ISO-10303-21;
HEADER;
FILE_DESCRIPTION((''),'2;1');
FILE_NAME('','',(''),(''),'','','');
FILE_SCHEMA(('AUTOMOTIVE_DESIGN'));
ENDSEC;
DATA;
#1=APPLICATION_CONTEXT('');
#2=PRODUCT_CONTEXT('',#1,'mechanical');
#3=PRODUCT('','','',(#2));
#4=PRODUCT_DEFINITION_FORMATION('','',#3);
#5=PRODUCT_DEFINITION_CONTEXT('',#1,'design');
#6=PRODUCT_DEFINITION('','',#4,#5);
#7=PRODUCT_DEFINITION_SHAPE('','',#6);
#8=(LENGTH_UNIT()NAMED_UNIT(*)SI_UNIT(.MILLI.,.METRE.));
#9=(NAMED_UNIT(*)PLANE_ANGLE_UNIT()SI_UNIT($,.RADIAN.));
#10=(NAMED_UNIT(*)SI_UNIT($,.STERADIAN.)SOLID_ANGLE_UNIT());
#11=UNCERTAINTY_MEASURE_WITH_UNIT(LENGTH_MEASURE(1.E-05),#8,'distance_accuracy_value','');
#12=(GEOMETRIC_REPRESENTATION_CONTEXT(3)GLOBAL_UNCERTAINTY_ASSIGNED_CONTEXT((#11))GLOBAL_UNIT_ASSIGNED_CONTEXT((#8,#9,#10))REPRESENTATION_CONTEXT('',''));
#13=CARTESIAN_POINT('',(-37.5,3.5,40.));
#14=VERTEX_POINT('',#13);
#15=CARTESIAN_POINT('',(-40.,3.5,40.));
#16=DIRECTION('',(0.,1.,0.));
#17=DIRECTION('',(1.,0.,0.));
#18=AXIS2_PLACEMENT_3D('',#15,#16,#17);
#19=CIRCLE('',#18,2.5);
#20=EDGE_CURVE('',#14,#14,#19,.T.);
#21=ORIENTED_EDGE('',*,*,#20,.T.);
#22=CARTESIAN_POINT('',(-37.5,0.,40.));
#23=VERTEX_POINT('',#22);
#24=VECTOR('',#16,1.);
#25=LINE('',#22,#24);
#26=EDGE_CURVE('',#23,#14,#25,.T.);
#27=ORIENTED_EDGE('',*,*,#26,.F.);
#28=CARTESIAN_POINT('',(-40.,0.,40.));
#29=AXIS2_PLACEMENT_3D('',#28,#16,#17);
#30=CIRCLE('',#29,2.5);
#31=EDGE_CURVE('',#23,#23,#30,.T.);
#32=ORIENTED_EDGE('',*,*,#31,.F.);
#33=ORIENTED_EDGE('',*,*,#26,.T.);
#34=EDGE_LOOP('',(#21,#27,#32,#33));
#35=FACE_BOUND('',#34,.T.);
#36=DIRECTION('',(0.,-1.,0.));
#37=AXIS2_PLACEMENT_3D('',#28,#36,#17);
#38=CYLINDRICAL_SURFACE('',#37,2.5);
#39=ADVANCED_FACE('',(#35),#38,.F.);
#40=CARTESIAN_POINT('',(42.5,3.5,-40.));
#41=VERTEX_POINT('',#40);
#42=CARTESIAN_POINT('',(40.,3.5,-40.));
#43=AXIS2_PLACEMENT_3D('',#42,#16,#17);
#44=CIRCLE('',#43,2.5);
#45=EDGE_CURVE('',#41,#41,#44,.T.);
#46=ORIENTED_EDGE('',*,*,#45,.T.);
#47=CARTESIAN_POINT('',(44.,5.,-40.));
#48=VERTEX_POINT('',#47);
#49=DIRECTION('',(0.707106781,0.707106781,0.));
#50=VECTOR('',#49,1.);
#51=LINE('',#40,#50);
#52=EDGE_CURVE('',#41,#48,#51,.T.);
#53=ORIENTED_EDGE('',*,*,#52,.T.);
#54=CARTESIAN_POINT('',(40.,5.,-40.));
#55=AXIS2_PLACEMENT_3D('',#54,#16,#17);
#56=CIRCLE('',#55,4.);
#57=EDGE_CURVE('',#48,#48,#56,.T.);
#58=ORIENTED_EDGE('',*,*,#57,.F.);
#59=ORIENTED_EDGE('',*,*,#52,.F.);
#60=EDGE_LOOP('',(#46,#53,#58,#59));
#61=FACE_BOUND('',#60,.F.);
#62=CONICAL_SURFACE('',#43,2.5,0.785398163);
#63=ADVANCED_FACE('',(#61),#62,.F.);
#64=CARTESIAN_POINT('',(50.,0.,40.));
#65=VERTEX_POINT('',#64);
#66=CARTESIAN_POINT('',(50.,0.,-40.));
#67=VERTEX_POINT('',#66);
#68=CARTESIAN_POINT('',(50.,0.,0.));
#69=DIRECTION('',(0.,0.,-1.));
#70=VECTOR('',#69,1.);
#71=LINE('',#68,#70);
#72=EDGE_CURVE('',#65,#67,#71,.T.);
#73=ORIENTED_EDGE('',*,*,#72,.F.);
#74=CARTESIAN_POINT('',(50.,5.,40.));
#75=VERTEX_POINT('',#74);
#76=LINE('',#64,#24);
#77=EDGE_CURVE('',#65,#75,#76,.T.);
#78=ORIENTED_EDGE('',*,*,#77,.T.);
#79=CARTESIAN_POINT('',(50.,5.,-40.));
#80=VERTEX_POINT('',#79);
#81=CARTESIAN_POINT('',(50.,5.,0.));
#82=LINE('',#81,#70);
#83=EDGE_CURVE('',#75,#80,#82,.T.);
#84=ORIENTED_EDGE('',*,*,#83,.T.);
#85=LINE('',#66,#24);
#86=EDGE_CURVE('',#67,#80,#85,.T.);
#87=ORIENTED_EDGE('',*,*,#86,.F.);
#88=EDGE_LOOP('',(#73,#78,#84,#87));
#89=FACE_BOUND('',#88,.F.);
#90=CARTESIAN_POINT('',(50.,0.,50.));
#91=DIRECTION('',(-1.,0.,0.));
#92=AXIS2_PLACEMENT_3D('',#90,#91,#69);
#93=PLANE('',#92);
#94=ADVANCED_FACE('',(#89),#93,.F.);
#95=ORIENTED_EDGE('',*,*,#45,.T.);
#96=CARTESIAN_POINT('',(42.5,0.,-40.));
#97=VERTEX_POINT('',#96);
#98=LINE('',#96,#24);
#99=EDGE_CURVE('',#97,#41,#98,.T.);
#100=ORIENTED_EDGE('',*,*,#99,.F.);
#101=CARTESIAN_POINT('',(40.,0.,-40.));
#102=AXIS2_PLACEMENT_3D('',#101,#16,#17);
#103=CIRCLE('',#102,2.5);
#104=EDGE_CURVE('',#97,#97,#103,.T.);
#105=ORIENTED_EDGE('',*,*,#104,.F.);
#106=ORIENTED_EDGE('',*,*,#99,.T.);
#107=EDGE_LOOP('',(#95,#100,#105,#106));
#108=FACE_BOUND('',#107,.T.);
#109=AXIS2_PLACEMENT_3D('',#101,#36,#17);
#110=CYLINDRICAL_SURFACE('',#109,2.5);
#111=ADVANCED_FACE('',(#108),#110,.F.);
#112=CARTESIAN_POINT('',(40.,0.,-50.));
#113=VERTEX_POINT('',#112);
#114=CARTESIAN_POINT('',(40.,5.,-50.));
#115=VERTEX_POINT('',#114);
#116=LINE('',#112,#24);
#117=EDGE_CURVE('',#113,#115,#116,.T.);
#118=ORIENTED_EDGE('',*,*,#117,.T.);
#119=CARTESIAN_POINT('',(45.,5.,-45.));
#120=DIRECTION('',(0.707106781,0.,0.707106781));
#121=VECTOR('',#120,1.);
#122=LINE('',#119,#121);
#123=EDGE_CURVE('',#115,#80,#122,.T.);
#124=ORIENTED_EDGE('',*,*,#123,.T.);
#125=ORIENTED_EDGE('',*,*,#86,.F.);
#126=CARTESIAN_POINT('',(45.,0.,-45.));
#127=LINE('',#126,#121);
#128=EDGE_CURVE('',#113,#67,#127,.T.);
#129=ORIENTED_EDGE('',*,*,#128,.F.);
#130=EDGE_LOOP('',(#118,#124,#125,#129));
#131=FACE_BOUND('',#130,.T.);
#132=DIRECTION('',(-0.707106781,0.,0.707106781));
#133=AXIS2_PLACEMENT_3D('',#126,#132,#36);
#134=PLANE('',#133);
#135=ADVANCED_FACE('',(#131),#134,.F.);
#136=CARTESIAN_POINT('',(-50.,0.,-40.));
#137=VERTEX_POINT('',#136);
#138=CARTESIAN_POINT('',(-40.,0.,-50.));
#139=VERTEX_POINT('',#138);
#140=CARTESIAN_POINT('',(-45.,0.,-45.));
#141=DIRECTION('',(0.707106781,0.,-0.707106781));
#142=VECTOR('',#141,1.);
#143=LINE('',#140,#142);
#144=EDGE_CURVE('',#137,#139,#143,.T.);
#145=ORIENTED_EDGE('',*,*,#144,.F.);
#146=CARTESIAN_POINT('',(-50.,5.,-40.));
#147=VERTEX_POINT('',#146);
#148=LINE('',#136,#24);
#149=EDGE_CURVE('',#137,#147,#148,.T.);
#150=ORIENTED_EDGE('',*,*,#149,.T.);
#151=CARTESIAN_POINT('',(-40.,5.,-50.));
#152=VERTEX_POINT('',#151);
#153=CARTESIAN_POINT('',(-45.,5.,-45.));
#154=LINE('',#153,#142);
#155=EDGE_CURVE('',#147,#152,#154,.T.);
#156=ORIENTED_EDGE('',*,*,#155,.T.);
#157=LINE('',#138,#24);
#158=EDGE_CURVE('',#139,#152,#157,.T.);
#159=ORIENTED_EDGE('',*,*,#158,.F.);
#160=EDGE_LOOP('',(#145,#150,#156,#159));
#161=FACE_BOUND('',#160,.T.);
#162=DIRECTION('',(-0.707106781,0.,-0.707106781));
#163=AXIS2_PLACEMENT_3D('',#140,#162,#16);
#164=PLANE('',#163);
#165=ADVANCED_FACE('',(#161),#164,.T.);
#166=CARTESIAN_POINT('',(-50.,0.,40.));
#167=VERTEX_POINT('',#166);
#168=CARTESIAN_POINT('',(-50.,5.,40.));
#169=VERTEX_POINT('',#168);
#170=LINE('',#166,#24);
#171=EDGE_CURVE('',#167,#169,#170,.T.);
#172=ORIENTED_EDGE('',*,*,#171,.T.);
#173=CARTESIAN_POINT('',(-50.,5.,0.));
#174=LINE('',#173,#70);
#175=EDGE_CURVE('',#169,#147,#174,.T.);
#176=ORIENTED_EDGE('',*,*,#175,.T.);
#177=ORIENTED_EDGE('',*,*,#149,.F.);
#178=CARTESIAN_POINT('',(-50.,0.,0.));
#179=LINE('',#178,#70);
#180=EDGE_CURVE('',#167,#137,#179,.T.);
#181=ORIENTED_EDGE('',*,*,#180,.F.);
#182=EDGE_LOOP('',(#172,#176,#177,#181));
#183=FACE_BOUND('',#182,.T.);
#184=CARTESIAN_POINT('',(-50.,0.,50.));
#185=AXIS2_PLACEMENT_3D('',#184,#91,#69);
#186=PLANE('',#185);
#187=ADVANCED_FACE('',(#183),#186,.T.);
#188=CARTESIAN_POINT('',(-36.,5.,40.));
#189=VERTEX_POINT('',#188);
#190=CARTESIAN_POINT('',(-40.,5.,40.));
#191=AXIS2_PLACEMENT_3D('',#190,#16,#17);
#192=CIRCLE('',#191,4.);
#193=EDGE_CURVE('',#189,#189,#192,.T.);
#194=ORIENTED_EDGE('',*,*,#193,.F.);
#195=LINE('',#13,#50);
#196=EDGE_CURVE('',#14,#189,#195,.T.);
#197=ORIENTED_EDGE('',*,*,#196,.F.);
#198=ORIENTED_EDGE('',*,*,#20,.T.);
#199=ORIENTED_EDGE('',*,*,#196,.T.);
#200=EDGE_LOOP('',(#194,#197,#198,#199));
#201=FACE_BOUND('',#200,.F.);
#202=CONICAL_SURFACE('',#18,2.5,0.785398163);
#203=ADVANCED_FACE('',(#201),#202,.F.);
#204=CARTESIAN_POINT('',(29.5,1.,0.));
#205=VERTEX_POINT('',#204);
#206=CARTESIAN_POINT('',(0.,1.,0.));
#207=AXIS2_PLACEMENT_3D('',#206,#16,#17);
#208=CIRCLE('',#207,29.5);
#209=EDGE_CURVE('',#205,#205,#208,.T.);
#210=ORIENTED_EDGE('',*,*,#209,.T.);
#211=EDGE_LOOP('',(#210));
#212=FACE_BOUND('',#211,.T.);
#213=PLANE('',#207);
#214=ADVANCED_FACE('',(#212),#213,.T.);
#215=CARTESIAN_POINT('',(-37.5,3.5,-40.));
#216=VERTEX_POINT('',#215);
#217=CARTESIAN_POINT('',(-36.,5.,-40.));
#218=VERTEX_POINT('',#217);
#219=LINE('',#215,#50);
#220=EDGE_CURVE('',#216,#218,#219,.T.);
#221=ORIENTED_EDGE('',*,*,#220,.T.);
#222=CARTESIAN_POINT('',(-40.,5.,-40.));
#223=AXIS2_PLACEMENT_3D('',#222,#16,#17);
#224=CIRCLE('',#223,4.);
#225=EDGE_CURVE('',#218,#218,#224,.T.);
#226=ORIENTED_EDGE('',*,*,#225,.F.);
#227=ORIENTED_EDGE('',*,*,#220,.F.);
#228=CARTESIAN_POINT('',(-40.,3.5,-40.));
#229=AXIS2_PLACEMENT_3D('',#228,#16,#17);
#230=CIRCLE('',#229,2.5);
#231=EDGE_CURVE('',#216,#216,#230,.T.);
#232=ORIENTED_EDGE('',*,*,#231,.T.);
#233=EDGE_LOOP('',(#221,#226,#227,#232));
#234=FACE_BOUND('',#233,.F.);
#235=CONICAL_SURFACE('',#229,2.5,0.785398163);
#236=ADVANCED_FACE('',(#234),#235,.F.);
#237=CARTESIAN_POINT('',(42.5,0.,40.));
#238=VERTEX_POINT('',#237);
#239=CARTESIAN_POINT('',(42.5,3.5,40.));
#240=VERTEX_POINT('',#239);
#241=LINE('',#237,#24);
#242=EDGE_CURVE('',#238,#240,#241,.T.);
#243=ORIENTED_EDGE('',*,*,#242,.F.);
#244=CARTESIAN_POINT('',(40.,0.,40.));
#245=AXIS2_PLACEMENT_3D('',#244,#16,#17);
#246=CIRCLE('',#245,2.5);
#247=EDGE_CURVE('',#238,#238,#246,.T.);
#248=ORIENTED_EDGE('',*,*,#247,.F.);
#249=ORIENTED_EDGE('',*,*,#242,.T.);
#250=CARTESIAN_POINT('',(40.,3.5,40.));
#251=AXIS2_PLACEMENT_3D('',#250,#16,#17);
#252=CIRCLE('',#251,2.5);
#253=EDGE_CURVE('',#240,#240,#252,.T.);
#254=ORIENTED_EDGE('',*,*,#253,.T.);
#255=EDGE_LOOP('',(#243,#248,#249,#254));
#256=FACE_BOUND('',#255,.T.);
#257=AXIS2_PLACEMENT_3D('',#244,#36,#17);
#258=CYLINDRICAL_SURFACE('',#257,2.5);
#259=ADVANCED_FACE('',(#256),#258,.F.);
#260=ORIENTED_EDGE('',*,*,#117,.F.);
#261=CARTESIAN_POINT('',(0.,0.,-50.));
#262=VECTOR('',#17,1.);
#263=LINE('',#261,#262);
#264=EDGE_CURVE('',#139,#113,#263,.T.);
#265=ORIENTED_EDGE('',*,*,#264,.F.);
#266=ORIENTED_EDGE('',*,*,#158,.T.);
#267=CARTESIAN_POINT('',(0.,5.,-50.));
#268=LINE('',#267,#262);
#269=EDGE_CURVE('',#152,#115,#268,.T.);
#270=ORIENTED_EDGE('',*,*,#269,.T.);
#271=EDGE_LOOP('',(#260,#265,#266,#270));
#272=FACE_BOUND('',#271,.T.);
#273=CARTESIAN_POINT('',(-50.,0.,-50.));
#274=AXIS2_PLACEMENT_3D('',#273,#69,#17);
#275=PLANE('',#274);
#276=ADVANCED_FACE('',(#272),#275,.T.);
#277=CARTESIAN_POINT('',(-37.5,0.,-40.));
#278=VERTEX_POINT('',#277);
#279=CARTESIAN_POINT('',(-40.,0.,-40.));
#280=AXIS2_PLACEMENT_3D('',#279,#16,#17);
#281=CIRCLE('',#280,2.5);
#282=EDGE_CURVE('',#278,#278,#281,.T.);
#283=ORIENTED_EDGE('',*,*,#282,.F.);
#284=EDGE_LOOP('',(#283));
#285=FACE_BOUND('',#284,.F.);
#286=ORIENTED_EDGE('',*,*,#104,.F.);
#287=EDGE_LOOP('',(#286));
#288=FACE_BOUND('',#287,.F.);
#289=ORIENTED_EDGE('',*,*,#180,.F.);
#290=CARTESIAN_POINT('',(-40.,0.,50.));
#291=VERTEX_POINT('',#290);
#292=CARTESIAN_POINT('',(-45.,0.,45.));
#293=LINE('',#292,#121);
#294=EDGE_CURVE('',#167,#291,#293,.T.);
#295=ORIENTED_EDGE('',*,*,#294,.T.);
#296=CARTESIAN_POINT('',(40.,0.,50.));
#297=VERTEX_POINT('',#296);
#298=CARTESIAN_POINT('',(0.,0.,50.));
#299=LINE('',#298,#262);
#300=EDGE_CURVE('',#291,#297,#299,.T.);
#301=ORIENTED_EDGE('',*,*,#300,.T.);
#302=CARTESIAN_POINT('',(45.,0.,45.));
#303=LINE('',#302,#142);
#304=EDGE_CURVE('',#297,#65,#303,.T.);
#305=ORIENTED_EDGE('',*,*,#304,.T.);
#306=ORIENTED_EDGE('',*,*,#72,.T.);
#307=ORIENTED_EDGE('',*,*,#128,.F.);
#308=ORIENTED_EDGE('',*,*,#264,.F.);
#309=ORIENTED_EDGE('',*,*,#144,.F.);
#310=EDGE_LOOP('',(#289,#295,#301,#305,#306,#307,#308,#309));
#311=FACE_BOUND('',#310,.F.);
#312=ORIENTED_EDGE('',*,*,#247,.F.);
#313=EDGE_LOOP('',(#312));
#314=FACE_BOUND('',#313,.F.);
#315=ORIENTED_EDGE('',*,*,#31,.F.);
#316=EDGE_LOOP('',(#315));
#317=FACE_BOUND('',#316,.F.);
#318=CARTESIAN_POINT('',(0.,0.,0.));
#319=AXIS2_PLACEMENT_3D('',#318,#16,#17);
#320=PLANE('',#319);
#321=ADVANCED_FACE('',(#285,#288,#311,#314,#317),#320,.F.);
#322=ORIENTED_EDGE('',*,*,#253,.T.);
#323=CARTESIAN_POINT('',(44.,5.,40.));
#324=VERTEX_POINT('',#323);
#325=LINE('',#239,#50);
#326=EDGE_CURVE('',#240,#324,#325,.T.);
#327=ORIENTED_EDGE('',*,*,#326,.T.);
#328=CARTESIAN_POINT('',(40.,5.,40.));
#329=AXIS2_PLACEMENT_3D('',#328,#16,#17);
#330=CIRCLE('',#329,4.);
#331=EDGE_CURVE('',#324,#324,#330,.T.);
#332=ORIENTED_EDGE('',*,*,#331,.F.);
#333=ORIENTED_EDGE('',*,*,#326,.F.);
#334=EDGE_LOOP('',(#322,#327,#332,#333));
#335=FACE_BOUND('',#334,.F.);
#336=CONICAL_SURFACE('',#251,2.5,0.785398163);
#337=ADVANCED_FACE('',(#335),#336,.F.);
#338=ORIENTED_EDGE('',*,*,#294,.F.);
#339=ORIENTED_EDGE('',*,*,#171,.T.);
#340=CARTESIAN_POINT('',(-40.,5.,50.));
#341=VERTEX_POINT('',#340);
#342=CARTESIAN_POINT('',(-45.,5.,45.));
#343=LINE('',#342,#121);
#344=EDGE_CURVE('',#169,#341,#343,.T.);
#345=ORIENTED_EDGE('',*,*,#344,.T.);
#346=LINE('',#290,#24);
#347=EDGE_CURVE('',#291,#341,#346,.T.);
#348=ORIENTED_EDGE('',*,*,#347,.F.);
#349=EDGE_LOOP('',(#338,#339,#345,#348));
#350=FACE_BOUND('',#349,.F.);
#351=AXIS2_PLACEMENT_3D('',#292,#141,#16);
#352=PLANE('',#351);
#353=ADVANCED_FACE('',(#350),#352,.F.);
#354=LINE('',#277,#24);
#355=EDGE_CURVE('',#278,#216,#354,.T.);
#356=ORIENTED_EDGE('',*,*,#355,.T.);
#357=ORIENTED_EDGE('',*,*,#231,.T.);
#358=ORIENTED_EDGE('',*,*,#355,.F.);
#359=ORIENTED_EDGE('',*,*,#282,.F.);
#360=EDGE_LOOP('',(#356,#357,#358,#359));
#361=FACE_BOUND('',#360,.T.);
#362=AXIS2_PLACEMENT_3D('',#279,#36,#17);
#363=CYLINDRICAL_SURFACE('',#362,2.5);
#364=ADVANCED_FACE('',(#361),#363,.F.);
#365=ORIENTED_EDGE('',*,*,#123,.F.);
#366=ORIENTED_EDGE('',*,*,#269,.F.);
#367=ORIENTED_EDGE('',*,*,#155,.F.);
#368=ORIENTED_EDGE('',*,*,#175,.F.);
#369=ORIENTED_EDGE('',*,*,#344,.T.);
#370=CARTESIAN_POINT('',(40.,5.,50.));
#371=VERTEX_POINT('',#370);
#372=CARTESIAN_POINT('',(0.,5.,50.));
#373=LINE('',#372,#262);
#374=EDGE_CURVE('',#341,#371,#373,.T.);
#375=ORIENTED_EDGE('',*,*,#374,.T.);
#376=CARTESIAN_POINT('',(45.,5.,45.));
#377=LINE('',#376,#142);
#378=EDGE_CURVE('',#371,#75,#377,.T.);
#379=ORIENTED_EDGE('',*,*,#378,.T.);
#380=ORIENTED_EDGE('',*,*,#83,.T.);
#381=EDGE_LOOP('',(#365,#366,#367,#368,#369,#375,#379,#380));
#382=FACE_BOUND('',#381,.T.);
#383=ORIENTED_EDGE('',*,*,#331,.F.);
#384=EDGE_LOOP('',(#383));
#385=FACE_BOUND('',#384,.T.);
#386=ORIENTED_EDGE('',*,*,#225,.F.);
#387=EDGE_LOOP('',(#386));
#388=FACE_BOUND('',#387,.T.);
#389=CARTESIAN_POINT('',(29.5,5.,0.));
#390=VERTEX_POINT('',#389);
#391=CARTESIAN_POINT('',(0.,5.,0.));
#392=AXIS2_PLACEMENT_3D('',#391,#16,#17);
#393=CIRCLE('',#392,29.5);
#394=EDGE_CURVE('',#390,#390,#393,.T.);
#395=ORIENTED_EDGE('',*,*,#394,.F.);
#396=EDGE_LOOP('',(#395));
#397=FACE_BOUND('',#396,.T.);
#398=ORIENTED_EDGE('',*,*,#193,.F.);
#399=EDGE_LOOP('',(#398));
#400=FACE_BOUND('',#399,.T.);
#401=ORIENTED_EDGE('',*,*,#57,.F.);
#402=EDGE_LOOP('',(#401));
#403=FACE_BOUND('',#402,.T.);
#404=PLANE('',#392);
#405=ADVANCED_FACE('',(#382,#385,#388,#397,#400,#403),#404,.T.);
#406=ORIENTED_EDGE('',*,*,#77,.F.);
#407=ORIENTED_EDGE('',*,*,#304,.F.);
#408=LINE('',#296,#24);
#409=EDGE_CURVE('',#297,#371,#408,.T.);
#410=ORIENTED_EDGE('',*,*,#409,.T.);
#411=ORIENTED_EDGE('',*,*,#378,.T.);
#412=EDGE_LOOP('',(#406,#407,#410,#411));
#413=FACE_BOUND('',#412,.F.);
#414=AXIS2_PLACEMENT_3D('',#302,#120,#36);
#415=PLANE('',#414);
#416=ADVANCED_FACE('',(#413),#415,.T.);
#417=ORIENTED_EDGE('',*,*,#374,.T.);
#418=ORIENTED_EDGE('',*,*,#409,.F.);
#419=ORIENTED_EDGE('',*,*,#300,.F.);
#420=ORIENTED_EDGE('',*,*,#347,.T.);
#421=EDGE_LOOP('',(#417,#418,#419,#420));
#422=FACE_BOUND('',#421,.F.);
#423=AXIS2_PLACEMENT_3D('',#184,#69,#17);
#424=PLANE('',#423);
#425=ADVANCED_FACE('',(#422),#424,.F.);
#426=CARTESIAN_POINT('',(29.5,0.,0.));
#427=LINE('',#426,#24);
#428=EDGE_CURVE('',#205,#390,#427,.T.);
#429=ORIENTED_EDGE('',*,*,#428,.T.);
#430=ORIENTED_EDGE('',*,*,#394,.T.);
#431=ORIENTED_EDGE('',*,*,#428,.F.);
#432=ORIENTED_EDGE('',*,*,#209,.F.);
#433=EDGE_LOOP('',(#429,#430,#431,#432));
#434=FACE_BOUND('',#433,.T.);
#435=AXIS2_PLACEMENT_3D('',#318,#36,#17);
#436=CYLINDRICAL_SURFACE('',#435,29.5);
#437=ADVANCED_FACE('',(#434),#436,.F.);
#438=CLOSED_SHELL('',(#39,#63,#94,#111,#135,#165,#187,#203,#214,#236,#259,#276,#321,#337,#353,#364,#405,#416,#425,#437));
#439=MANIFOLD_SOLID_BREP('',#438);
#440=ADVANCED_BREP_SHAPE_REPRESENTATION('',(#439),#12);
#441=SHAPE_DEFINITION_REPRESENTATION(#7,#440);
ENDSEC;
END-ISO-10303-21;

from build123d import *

# Parameters (mm, degrees)
SKETCH1_W           = 100
SKETCH1_H           = 100
SKETCH1_R           = 2.5
SKETCH1_R_2         = 29.5
BOSS_EXTRUDE1_DEPTH = 5
SKETCH1_3_R         = 29.5
BOSS_EXTRUDE2_DEPTH = 1
CHAMFER1_SIZE       = 10
CHAMFER3_SIZE       = 1.5


with BuildPart() as part:
    # Sketch1 → Boss-Extrude1 (new body)
    with BuildSketch(Plane(origin=(0, 0, 0), x_dir=(1, 0, 0), z_dir=(0, 1, 0))):
        Rectangle(SKETCH1_W, SKETCH1_H)
        with Locations((40, -40)):
            Circle(SKETCH1_R, mode=Mode.SUBTRACT)
        with Locations((-40, 40)):
            Circle(SKETCH1_R, mode=Mode.SUBTRACT)
        Circle(SKETCH1_R_2, mode=Mode.SUBTRACT)
        with Locations((40, 40)):
            Circle(SKETCH1_R, mode=Mode.SUBTRACT)
        with Locations((-40, -40)):
            Circle(SKETCH1_R, mode=Mode.SUBTRACT)
    extrude(amount=BOSS_EXTRUDE1_DEPTH)

    # Sketch1<3> → Boss-Extrude2 (add)
    with BuildSketch(Plane(origin=(0, 0, 0), x_dir=(1, 0, 0), z_dir=(0, 1, 0))):
        Circle(SKETCH1_3_R)
    extrude(amount=BOSS_EXTRUDE2_DEPTH)

    # Chamfer1
    chamfer1_edges = [part.edges().sort_by_distance(p)[0] for p in [
        (-50, 2.5, 50),
        (-50, 2.5, -50),
        (50, 2.5, -50),
        (50, 2.5, 50),
    ]]
    chamfer(chamfer1_edges, length=CHAMFER1_SIZE)

    # Chamfer3
    chamfer3_edges = [part.edges().sort_by_distance(p)[0] for p in [
        (37.5, 5, 40),
        (-42.5, 5, -40),
        (37.5, 5, -40),
        (-42.5, 5, 40),
    ]]
    chamfer(chamfer3_edges, length=CHAMFER3_SIZE)


solid = part.part
